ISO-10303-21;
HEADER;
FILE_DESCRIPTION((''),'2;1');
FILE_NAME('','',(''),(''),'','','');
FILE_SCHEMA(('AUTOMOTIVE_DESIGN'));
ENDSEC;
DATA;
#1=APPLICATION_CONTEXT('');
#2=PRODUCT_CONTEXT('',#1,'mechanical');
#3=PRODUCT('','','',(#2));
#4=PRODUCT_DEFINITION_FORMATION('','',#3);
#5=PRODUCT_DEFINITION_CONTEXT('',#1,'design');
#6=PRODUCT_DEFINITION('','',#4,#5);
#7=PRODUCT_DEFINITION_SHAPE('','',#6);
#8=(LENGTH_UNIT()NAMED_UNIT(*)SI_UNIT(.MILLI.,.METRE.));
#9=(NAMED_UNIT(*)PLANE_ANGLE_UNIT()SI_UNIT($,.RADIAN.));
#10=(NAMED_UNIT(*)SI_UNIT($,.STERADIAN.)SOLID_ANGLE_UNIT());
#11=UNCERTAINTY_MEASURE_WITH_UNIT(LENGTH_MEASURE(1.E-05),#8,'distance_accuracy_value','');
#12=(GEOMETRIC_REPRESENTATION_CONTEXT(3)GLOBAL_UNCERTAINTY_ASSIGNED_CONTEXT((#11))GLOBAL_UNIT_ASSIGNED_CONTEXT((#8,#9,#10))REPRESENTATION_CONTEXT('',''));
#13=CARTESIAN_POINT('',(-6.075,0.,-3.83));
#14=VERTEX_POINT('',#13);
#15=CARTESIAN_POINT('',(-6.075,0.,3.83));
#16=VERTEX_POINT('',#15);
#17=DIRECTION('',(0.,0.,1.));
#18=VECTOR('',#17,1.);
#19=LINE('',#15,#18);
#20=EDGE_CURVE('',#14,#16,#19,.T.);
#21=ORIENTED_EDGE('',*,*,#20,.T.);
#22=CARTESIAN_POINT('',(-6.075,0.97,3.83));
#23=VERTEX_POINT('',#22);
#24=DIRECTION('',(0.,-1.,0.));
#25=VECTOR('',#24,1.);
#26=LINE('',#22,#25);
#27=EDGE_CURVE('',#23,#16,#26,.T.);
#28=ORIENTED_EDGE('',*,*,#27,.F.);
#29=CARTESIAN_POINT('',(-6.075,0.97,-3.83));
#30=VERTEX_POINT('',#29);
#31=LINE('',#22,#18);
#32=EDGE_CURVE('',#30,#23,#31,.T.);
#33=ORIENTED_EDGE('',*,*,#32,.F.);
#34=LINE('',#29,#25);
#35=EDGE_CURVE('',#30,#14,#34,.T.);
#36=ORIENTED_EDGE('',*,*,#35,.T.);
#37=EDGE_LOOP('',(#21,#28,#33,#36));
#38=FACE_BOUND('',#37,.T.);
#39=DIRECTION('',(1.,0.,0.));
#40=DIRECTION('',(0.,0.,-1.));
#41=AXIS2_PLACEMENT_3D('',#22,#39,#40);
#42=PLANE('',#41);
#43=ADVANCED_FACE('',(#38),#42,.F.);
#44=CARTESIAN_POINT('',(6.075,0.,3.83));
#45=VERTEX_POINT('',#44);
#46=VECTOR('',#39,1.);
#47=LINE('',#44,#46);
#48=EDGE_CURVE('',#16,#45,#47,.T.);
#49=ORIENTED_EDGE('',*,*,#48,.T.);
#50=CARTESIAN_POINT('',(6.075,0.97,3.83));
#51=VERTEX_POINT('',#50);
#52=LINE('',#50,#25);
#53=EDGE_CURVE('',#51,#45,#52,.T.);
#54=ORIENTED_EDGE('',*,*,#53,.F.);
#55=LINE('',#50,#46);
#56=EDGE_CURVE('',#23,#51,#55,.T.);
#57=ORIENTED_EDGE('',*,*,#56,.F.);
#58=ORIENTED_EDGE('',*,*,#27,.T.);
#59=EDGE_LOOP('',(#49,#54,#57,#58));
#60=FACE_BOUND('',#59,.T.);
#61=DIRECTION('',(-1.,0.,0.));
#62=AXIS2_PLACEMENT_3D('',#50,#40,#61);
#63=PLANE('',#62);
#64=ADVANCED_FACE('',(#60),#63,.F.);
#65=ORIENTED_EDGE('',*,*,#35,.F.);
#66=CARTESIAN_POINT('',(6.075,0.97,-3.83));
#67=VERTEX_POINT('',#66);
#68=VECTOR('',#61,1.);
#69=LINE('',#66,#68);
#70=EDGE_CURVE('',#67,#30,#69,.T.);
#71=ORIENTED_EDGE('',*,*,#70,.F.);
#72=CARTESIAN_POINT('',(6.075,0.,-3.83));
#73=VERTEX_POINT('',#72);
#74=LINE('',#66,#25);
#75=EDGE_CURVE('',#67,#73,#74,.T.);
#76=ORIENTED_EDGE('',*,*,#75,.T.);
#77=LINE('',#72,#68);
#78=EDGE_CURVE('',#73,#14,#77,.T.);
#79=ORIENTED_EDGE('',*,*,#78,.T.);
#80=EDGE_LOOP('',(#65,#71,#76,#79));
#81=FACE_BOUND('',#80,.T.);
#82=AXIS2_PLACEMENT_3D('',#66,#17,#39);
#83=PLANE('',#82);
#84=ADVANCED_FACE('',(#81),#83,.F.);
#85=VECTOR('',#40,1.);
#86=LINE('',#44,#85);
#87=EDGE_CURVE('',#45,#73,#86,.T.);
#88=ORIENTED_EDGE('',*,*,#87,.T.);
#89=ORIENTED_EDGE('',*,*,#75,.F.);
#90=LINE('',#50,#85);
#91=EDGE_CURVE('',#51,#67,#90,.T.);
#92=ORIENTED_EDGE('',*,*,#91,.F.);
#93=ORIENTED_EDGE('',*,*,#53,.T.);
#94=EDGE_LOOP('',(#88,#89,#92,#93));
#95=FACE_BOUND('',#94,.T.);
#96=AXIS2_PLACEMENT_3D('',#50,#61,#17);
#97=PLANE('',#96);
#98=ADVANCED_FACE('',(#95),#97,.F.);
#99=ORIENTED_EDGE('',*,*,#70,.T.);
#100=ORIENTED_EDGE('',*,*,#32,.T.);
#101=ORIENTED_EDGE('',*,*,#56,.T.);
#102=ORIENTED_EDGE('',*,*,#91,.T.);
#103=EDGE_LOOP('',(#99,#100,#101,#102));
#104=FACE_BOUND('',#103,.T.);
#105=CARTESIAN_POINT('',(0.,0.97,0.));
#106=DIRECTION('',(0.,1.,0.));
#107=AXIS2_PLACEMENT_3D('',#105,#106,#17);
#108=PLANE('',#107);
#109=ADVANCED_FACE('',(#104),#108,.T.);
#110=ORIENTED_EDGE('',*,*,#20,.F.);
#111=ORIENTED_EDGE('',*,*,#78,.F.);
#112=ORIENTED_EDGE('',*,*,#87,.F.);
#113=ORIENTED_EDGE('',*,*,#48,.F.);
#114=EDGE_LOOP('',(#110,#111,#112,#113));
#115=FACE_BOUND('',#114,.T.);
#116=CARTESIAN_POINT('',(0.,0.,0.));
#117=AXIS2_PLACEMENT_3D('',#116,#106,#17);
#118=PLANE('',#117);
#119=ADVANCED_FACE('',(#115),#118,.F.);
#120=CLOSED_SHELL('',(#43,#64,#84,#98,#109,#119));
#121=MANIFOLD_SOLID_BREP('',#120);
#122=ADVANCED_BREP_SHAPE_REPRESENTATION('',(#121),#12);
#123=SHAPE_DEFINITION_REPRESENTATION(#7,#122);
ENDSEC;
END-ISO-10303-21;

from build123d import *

# Parameters (mm, degrees)
ESQUISSE1_W        = 12.15
ESQUISSE1_H        = 7.66
BOSS_EXTRU_1_DEPTH = 0.97


with BuildPart() as part:
    # Esquisse1 → Boss.-Extru.1 (new body)
    with BuildSketch(Plane(origin=(0, 0, 0), x_dir=(1, 0, 0), z_dir=(0, 1, 0))):
        Rectangle(ESQUISSE1_W, ESQUISSE1_H)
    extrude(amount=BOSS_EXTRU_1_DEPTH)


solid = part.part
